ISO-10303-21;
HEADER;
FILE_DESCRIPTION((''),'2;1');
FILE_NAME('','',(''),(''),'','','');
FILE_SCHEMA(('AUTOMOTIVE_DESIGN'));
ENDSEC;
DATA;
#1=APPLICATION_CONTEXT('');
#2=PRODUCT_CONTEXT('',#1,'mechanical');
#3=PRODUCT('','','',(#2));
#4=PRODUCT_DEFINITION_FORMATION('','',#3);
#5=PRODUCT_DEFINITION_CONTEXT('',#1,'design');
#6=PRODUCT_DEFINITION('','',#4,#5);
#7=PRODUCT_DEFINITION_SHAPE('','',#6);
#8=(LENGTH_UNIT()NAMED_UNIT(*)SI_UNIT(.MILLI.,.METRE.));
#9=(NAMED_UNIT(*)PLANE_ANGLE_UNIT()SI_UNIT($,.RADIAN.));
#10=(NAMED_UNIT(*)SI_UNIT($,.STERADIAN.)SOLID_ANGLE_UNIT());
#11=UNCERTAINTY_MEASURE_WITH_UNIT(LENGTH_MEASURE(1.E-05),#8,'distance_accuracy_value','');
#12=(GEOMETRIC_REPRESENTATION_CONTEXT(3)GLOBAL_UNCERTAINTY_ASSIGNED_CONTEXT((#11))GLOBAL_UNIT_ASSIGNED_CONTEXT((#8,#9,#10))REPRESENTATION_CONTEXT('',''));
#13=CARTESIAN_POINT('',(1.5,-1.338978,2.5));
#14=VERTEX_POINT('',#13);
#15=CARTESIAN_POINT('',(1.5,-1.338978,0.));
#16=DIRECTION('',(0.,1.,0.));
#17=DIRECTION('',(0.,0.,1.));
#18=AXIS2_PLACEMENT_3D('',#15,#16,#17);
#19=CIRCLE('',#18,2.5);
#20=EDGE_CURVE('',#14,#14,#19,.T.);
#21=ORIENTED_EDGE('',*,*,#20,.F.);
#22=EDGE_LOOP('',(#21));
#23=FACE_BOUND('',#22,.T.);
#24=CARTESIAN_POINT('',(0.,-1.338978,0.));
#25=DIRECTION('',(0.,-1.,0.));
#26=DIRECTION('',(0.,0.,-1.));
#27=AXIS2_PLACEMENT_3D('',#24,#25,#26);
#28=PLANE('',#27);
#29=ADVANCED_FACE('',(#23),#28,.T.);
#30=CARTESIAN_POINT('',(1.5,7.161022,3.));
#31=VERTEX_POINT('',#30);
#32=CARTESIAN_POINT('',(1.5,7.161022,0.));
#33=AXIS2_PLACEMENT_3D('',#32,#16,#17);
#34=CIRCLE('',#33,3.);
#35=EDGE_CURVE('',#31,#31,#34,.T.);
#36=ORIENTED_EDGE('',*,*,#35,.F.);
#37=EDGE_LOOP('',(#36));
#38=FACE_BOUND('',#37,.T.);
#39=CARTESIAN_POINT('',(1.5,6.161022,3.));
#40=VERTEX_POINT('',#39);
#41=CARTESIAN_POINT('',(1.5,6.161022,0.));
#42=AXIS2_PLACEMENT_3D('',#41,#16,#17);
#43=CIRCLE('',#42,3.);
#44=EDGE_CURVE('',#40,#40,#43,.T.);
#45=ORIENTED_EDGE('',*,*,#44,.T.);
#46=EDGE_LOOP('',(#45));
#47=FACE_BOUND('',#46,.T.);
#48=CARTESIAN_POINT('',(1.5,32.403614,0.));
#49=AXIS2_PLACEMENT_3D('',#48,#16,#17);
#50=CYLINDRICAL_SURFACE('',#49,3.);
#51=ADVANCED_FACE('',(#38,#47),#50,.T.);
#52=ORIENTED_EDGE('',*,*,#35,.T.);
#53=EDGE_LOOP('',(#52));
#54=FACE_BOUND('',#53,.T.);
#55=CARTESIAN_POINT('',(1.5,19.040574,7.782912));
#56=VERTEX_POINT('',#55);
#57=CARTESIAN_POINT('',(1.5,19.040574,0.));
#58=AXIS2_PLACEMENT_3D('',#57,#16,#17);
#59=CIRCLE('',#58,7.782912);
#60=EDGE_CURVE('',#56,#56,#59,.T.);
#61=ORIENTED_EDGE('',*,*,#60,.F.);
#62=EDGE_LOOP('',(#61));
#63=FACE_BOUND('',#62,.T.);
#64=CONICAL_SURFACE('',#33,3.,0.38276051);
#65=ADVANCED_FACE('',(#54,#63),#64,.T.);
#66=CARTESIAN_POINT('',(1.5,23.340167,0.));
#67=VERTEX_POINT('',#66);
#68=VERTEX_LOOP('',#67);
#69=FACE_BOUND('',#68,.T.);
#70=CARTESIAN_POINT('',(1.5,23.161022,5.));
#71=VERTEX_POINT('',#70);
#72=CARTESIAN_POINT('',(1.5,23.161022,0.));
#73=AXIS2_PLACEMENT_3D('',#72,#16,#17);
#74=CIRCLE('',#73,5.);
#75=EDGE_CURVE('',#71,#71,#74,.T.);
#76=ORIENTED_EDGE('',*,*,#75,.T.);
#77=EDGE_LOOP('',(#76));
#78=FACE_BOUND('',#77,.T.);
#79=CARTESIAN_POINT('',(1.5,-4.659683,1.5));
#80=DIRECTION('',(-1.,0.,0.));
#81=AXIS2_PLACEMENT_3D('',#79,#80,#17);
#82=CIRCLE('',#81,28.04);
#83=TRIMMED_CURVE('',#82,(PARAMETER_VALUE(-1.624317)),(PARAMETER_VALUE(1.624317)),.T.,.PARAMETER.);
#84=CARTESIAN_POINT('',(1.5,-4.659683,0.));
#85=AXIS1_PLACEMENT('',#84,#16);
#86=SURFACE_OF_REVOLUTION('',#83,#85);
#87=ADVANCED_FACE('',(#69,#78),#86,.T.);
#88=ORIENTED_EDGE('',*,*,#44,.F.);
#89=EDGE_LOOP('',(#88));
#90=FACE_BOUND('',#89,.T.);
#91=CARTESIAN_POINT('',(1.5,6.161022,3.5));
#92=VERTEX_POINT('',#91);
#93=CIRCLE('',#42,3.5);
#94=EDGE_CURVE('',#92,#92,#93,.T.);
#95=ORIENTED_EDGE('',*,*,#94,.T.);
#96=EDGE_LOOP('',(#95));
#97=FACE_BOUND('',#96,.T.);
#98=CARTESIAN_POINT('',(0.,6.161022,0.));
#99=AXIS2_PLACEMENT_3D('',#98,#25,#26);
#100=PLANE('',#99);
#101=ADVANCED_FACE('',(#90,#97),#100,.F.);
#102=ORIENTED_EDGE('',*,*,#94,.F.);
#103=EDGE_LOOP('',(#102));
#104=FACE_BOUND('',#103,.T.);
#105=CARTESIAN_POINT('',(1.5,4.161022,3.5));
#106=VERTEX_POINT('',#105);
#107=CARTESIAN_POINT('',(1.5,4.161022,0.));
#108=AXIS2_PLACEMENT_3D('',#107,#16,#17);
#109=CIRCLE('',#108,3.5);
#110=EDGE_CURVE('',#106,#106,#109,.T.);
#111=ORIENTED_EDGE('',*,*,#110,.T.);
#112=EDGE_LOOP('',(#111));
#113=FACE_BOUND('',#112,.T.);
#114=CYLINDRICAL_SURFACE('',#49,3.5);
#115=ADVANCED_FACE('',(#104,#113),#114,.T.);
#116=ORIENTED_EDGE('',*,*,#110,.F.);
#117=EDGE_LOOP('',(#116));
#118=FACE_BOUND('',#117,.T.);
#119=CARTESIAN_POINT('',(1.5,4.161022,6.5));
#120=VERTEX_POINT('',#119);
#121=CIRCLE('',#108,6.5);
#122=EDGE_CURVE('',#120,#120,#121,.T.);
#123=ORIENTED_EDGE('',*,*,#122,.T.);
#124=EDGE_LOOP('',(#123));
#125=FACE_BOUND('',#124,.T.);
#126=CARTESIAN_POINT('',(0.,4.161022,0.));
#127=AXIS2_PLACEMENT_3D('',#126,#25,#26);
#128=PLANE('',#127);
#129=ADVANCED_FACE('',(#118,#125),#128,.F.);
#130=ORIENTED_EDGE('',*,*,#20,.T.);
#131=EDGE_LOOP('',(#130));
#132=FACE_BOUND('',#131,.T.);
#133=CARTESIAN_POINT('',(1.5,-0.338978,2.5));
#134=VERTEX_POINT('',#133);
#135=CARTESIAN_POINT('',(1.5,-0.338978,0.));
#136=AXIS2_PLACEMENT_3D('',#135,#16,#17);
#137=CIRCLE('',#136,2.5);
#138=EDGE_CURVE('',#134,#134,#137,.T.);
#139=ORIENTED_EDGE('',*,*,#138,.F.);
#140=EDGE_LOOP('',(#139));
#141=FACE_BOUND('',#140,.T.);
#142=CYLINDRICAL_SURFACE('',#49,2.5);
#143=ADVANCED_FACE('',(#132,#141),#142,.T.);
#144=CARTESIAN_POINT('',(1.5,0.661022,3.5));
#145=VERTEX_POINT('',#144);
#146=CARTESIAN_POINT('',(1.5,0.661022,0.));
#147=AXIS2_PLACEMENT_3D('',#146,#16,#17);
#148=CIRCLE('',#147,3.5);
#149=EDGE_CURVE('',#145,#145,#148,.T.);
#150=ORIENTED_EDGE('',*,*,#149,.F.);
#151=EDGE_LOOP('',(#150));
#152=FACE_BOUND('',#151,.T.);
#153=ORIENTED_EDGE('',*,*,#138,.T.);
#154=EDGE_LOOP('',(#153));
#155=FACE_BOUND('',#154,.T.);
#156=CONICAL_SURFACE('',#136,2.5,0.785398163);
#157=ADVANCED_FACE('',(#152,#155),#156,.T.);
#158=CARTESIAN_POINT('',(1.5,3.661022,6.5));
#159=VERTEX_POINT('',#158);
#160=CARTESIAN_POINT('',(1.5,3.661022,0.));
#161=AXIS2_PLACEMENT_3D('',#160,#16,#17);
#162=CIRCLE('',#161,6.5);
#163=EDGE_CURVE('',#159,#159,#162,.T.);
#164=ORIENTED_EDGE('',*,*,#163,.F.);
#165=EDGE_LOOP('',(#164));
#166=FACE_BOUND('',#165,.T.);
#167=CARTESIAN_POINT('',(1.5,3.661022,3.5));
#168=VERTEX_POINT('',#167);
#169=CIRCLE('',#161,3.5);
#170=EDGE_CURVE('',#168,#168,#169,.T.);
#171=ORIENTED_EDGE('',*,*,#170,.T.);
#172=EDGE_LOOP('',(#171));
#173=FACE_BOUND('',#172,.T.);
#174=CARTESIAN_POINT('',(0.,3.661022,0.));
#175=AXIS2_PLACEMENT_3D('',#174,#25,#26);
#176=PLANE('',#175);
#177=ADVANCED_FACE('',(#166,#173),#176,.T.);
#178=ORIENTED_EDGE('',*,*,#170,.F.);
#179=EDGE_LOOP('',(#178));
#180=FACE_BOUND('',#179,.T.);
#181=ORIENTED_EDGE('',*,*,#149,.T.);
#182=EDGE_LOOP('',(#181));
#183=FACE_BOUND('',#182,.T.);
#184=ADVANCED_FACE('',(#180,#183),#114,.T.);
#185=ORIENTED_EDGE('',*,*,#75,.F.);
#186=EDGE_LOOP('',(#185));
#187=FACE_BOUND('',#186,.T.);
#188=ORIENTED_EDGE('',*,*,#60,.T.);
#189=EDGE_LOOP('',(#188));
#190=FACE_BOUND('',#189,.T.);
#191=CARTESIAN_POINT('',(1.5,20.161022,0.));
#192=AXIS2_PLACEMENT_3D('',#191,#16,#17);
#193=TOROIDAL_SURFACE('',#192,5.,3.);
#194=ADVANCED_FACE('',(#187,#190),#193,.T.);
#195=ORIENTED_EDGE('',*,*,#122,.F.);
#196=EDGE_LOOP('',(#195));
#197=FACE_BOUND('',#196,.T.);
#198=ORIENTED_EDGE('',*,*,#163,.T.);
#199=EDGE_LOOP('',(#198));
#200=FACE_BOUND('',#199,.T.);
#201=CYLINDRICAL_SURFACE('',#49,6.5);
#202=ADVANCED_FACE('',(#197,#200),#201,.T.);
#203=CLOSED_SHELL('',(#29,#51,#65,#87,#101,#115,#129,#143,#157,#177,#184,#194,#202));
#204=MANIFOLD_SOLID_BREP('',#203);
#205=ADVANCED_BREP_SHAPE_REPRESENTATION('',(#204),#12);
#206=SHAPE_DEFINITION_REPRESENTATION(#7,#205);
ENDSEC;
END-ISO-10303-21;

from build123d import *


with BuildPart() as part:
    # Sketch1 → Revolve1 (revolve)
    with BuildSketch(Plane.XY, mode=Mode.PRIVATE) as revolve1_sk:
        with BuildLine():
            Line((-6.282911506, 19.040573868), (-1.5, 7.161021792))
            Line((-1.5, 7.161021792), (-1.5, 6.161021792))
            Line((-1.5, 6.161021792), (-2, 6.161021792))
            Line((-2, 6.161021792), (-2, 4.161021792))
            Line((-2, 4.161021792), (-5, 4.161021792))
            Line((-5, 4.161021792), (-5, 3.661021792))
            Line((-5, 3.661021792), (-2, 3.661021792))
            Line((-2, 3.661021792), (-2, 0.661021792))
            Line((-2, 0.661021792), (-1, -0.338978208))
            Line((-1, -0.338978208), (-1, -1.338978208))
            Line((-1, -1.338978208), (1.5, -1.338978208))
            Line((1.5, -1.338978208), (1.5, 23.340167272))
            ThreePointArc((1.5, 23.340167272), (-1.004003623, 23.36233677), (-3.5, 23.161021792))
            ThreePointArc((-3.5, 23.161021792), (-5.986095711, 21.840107292), (-6.282911506, 19.040573868))
        make_face()
    revolve(revolve1_sk.sketch.rotate(Axis((1.5, 32.403614304, 0), (0, -1, 0)), 270), axis=Axis((1.5, 32.403614304, 0), (0, -1, 0)))


solid = part.part
